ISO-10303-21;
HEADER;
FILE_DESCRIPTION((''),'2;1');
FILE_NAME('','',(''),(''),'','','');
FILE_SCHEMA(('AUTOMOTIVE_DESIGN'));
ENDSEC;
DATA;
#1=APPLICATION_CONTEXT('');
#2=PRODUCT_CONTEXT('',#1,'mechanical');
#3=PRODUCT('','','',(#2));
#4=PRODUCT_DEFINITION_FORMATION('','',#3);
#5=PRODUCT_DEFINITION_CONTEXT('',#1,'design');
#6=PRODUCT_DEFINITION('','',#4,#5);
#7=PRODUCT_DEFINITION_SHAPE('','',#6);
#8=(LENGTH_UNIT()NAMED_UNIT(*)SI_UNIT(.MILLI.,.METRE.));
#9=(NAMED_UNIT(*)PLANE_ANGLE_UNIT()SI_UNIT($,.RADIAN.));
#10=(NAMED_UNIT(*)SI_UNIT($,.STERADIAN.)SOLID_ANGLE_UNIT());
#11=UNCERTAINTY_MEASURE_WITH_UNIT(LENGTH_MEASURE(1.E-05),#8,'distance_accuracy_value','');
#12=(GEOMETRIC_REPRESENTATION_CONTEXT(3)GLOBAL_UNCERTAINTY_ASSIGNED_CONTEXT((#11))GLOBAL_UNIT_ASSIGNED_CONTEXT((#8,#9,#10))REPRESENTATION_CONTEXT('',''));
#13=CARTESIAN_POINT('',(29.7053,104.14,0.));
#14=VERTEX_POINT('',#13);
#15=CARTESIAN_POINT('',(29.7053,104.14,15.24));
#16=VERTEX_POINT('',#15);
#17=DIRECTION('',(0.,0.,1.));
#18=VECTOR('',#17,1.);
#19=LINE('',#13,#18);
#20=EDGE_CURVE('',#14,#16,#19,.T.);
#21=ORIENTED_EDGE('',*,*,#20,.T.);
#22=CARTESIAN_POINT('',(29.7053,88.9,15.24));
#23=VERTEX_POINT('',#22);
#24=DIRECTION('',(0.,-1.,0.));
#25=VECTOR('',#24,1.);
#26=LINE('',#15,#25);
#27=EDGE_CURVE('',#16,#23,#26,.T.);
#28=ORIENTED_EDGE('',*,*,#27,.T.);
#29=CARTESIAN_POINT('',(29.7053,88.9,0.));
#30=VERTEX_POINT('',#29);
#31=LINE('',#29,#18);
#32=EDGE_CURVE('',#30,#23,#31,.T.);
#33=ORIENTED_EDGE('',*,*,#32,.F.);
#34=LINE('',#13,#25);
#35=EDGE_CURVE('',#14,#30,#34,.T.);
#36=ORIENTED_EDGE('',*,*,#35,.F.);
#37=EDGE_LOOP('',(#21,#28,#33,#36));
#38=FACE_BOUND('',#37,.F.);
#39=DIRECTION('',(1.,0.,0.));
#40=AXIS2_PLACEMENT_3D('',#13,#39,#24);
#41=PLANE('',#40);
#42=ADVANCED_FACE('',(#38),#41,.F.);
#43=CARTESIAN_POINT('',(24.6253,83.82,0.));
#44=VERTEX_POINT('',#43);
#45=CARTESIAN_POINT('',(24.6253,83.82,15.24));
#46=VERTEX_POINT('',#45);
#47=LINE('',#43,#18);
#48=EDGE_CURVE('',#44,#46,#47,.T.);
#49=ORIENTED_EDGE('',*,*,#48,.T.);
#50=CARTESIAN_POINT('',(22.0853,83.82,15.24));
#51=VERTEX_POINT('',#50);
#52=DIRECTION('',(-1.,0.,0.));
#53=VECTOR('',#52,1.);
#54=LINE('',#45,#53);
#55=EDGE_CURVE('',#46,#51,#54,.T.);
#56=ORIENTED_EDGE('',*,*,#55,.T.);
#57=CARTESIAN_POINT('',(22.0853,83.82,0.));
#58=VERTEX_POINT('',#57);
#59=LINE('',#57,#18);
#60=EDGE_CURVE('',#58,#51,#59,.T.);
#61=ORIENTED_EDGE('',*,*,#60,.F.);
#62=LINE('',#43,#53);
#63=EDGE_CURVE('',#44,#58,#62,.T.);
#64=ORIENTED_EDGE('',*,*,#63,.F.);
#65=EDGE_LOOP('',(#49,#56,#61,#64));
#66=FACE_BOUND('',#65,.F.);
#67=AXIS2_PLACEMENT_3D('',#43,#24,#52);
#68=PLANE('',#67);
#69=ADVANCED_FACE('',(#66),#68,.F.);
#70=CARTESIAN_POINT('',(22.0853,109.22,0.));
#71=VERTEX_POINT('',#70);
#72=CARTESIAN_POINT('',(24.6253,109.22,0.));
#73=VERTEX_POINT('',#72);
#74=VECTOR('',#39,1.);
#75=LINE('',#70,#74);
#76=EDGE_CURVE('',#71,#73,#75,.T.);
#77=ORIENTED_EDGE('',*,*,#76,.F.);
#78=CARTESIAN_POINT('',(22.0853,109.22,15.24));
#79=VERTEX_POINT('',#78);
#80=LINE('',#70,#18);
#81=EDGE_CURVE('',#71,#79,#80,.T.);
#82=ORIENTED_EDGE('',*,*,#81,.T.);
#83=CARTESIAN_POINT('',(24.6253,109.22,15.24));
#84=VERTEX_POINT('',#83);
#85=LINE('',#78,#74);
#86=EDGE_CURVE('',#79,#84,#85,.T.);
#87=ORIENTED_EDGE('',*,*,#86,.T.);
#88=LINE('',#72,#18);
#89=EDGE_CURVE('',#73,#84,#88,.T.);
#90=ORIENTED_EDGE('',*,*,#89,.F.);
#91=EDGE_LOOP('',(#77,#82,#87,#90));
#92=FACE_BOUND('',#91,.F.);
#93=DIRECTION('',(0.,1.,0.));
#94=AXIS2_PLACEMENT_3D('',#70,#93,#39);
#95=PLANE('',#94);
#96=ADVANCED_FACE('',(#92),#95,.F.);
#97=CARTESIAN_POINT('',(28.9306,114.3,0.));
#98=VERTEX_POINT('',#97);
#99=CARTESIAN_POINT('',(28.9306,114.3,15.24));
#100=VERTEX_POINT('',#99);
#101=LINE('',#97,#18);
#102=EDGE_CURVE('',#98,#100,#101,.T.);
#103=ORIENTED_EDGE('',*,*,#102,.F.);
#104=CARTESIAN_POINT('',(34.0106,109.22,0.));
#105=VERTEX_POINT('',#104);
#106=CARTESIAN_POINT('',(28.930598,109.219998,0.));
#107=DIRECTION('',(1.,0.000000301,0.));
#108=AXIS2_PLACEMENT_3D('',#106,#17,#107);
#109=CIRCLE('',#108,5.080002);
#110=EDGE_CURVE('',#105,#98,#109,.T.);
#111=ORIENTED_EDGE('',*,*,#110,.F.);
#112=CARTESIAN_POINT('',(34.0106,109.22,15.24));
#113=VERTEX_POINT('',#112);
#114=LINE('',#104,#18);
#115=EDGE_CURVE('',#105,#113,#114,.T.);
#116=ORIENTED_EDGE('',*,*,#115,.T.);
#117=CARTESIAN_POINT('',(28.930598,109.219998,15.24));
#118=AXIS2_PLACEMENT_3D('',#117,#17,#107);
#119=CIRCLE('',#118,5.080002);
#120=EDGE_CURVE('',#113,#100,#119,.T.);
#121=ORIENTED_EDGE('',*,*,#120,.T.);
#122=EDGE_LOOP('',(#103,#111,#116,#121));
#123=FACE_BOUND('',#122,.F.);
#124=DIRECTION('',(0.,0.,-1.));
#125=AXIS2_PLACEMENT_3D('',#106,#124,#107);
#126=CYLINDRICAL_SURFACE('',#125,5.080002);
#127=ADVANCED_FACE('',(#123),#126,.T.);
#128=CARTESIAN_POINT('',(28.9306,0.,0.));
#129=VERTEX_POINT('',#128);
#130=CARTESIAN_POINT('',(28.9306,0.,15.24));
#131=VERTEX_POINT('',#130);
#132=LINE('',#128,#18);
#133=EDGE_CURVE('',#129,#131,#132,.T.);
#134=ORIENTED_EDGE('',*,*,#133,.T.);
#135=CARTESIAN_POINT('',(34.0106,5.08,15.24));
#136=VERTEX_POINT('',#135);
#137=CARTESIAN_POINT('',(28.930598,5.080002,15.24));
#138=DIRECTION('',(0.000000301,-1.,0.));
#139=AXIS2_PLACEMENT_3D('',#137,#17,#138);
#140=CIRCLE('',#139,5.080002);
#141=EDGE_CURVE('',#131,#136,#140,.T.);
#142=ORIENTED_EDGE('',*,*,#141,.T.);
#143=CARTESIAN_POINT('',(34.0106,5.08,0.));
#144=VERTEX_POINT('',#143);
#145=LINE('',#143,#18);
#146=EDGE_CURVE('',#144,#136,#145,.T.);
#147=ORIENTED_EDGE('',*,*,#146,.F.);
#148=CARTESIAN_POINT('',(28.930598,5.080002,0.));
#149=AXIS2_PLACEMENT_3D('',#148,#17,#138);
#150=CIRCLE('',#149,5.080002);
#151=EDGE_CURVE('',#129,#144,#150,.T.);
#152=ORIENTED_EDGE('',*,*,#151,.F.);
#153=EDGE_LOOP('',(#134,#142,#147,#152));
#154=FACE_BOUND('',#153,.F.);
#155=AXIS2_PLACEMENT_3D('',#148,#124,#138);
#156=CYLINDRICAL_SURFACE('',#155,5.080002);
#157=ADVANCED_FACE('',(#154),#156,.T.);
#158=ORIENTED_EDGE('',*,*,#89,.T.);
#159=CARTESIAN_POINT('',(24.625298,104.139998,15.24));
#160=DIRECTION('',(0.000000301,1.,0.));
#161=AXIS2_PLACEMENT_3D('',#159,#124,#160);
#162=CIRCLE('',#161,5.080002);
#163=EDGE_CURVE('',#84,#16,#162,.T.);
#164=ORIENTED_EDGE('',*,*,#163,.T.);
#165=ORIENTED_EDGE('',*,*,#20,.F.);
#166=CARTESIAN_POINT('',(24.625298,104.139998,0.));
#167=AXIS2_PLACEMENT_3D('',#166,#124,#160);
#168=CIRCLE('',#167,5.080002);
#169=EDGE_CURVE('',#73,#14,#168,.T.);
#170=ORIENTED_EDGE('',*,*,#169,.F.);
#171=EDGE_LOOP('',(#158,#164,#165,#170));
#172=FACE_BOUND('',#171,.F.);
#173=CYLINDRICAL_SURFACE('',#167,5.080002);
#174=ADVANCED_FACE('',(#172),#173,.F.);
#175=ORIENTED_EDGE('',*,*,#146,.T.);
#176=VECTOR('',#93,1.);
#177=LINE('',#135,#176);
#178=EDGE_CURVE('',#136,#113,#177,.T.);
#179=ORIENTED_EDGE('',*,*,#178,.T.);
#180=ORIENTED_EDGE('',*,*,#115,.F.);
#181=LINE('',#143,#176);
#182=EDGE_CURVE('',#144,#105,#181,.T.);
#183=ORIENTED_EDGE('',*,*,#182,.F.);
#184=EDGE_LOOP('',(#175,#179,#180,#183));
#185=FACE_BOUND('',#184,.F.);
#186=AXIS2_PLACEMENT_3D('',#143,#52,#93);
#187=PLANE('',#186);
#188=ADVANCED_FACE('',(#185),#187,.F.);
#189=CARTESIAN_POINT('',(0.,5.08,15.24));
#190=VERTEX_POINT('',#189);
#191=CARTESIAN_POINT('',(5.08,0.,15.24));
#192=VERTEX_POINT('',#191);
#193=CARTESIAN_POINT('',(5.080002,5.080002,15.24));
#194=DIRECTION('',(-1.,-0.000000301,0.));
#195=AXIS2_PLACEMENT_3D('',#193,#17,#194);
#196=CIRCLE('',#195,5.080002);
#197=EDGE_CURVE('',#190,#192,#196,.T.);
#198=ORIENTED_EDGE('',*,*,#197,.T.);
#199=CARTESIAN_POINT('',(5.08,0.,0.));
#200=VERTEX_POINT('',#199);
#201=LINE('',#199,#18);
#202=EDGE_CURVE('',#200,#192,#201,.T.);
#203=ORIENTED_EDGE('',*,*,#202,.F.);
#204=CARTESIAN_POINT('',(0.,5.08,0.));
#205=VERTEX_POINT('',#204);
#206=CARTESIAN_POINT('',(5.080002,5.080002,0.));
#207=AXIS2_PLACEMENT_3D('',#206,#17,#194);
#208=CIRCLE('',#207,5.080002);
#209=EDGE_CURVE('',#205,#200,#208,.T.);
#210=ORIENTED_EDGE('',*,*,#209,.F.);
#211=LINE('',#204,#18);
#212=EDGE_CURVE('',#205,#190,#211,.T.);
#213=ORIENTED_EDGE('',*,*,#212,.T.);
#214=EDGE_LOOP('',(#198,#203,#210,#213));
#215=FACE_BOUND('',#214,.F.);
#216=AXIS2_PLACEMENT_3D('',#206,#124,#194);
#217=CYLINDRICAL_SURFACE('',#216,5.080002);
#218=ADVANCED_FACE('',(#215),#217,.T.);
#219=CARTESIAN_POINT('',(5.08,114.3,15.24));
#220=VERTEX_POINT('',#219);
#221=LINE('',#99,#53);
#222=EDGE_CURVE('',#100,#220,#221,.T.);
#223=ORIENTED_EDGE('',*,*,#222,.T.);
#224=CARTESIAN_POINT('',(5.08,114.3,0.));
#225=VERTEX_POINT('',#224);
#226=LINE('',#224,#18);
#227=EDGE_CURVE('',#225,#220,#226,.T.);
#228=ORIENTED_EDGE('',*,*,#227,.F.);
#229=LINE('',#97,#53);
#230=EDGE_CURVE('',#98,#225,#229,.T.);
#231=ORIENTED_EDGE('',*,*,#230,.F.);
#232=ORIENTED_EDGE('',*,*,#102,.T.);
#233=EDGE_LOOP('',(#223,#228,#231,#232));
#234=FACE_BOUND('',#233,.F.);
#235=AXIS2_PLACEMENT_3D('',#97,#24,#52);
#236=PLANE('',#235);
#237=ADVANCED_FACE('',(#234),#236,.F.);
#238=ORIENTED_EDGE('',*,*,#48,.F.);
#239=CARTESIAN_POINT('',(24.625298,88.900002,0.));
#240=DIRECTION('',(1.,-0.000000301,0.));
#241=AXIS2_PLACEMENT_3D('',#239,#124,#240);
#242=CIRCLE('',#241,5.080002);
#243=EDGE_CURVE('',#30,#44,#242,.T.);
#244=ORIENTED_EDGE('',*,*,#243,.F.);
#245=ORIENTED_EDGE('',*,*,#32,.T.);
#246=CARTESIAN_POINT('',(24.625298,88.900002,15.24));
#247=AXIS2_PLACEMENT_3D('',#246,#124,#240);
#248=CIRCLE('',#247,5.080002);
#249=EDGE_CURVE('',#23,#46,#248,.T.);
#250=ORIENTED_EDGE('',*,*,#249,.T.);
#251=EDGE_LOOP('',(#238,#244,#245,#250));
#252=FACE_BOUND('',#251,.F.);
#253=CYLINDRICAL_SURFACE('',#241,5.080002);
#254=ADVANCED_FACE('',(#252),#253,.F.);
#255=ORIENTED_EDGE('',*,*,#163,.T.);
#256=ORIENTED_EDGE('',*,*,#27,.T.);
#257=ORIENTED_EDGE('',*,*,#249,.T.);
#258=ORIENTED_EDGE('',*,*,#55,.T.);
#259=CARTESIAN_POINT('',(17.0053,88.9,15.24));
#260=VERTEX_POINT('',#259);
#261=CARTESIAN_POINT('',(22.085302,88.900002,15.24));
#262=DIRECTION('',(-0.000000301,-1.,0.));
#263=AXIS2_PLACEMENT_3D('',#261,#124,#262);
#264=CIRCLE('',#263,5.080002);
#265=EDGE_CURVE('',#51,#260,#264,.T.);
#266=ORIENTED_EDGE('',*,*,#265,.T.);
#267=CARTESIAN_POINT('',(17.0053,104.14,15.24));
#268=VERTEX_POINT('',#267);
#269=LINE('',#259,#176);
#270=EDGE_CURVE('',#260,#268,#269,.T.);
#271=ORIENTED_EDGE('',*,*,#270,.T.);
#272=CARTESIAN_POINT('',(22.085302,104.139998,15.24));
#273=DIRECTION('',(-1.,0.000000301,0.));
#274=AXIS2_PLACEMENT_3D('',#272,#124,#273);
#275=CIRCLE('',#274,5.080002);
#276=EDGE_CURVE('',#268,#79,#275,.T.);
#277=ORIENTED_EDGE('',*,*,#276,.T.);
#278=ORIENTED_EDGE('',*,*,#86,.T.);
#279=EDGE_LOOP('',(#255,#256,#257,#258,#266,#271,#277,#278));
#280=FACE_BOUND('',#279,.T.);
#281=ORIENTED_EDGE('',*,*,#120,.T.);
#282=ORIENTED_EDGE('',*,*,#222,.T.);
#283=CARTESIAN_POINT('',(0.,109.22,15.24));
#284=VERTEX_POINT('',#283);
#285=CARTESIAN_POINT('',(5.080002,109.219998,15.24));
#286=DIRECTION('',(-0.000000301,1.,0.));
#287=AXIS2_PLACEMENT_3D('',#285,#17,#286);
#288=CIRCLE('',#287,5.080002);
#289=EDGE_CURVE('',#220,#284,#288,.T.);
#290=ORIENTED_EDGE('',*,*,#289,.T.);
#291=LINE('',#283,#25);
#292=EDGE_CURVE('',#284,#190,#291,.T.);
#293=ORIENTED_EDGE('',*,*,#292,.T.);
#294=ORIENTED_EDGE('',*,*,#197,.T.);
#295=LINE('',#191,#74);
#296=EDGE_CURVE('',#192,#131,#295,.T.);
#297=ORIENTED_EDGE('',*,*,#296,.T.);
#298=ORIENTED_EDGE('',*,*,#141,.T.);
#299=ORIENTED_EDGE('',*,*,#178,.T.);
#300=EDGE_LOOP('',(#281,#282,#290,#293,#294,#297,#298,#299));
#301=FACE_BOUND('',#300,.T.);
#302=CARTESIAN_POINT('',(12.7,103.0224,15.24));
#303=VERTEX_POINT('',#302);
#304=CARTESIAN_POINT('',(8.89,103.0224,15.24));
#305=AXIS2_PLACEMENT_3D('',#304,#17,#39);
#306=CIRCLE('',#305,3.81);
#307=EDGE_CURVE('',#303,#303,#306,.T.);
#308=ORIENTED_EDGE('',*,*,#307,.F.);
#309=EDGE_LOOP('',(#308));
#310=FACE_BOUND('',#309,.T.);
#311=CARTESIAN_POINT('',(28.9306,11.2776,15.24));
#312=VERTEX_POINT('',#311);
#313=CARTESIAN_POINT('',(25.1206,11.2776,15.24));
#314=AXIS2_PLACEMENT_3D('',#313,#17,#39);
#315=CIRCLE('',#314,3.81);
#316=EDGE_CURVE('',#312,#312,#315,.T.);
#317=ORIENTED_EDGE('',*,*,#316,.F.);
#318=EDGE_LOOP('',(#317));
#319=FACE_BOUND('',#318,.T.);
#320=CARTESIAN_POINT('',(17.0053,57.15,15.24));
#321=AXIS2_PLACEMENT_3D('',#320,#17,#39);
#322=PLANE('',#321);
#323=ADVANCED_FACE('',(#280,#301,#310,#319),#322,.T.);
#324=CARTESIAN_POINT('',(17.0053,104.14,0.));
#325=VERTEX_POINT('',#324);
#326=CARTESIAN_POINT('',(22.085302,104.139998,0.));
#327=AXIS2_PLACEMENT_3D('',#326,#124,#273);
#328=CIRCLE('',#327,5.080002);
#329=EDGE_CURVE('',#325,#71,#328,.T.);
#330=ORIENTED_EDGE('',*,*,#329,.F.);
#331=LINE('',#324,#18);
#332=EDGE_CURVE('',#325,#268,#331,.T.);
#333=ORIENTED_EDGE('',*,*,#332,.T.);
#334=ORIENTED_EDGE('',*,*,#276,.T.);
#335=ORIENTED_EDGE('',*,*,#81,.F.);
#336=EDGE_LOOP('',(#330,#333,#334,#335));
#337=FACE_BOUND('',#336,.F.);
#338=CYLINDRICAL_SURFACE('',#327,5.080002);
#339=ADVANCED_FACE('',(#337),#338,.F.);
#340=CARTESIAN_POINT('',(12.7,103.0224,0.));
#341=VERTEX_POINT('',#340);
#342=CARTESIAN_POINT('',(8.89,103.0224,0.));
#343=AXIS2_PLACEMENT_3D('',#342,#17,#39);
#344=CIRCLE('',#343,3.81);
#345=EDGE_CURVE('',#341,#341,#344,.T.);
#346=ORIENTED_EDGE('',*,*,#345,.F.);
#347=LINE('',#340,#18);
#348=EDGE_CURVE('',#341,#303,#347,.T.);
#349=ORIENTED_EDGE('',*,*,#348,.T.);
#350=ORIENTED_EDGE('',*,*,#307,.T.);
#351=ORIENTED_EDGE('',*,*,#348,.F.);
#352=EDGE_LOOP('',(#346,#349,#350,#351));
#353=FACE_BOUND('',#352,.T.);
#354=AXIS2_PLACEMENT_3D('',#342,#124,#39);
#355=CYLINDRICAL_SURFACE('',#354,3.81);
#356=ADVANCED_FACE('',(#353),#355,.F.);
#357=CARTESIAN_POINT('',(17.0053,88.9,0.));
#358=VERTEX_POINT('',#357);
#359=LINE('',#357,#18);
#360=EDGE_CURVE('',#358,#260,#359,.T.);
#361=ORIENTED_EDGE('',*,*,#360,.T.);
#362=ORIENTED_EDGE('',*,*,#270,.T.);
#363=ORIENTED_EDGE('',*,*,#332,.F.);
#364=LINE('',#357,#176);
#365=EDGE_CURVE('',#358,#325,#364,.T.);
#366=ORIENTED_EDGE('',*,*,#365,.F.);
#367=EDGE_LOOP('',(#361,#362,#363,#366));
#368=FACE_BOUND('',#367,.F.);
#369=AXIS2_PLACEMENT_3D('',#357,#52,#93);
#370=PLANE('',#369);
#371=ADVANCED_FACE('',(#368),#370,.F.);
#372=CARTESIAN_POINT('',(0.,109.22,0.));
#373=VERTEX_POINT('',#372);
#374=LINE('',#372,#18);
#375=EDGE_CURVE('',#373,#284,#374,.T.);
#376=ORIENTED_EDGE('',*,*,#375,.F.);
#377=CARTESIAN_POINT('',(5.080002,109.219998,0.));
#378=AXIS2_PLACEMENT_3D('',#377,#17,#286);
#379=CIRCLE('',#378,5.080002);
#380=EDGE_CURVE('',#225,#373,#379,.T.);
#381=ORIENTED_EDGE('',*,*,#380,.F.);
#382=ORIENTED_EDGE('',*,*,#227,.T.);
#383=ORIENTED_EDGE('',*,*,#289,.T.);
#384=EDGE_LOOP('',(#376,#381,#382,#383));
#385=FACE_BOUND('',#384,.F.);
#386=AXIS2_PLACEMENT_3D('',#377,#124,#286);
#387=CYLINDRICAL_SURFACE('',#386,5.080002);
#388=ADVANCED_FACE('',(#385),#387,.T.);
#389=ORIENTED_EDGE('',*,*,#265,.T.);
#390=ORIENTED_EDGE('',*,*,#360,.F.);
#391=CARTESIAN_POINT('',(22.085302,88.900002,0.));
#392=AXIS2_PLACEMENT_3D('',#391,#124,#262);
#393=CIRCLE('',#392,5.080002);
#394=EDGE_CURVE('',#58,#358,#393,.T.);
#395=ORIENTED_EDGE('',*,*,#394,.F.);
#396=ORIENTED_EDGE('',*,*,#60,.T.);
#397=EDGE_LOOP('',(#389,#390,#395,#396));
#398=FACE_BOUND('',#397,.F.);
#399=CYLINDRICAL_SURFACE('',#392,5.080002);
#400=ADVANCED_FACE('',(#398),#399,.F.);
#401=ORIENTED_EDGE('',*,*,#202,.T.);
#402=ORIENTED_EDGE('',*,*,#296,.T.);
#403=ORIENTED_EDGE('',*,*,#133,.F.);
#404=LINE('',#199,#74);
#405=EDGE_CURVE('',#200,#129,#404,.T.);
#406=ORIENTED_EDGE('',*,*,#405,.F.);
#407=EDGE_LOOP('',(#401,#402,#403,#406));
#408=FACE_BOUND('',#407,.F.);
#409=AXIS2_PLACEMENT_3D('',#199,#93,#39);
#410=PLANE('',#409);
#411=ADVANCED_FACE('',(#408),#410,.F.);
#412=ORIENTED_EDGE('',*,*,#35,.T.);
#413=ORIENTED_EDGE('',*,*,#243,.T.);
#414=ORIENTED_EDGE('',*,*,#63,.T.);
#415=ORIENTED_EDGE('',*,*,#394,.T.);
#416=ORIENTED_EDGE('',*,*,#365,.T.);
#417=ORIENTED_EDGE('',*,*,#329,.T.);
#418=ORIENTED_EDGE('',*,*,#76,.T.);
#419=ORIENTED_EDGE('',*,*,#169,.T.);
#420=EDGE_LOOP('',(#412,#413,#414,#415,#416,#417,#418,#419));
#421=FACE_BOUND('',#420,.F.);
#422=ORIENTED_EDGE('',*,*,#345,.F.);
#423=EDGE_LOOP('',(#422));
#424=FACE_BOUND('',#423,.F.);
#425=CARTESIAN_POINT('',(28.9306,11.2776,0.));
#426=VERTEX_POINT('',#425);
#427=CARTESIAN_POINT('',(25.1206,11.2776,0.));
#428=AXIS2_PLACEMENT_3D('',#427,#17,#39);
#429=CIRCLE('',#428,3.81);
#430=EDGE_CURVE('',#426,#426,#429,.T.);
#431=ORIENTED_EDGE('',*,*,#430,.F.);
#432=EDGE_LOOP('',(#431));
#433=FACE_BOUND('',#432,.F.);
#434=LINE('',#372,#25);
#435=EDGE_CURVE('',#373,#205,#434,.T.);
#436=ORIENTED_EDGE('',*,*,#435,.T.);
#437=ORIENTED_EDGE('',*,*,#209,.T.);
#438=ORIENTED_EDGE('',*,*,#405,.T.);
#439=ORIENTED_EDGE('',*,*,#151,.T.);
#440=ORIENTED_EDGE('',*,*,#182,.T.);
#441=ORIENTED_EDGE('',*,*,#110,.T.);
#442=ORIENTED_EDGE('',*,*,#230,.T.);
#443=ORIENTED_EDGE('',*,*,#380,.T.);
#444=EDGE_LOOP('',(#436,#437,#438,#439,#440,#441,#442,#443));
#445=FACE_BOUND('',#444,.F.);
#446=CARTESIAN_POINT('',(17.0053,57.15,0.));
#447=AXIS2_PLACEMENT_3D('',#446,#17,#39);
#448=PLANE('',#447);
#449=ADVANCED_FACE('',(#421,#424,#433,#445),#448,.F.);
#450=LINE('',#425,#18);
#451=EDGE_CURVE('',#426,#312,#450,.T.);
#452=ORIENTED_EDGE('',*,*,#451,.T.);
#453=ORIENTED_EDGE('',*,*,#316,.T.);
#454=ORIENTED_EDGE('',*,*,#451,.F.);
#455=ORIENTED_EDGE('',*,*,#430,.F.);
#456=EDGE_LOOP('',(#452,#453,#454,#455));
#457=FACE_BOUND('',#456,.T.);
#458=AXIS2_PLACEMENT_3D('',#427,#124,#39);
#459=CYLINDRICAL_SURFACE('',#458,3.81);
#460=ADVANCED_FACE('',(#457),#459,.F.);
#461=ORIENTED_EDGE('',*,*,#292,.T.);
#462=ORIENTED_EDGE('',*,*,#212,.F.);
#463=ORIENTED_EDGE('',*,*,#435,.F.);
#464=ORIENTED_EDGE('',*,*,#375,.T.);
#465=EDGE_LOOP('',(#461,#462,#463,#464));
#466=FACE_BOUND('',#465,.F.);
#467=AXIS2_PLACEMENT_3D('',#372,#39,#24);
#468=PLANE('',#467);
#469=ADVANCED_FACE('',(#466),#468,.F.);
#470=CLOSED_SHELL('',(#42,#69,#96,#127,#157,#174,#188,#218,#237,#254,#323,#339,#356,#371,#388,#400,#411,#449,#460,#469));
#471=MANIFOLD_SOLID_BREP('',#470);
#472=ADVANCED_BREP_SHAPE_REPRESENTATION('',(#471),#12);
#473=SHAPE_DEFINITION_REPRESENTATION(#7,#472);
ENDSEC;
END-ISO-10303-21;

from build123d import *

# Parameters (mm, degrees)
F0_R     = 3.81
F1_DEPTH = 15.24


with BuildPart() as f1:
    # F0 (on Top) → F1 (new body)
    with BuildSketch(Plane.XY):
        with BuildLine():
            ThreePointArc((0, 5.08), (1.487898, 1.487898), (5.08, 0))
            Line((5.08, 0), (28.9306, 0))
            ThreePointArc((28.9306, 0), (32.522702, 1.487898), (34.0106, 5.08))
            Line((34.0106, 5.08), (34.0106, 109.22))
            ThreePointArc((34.0106, 109.22), (32.522702, 112.812102), (28.9306, 114.3))
            Line((28.9306, 114.3), (5.08, 114.3))
            ThreePointArc((5.08, 114.3), (1.487898, 112.812102), (0, 109.22))
            Line((0, 109.22), (0, 5.08))
        make_face()
        with Locations((25.1206, 11.2776)):
            Circle(F0_R, mode=Mode.SUBTRACT)
        with Locations((8.89, 103.0224)):
            Circle(F0_R, mode=Mode.SUBTRACT)
        with BuildLine():
            ThreePointArc((17.0053, 104.14), (18.493198, 107.732102), (22.0853, 109.22))
            Line((22.0853, 109.22), (24.6253, 109.22))
            ThreePointArc((24.6253, 109.22), (28.217402, 107.732102), (29.7053, 104.14))
            Line((29.7053, 104.14), (29.7053, 88.9))
            ThreePointArc((29.7053, 88.9), (28.217402, 85.307898), (24.6253, 83.82))
            Line((24.6253, 83.82), (22.0853, 83.82))
            ThreePointArc((22.0853, 83.82), (18.493198, 85.307898), (17.0053, 88.9))
            Line((17.0053, 88.9), (17.0053, 104.14))
        make_face(mode=Mode.SUBTRACT)
    extrude(amount=F1_DEPTH)


solid = f1.part
